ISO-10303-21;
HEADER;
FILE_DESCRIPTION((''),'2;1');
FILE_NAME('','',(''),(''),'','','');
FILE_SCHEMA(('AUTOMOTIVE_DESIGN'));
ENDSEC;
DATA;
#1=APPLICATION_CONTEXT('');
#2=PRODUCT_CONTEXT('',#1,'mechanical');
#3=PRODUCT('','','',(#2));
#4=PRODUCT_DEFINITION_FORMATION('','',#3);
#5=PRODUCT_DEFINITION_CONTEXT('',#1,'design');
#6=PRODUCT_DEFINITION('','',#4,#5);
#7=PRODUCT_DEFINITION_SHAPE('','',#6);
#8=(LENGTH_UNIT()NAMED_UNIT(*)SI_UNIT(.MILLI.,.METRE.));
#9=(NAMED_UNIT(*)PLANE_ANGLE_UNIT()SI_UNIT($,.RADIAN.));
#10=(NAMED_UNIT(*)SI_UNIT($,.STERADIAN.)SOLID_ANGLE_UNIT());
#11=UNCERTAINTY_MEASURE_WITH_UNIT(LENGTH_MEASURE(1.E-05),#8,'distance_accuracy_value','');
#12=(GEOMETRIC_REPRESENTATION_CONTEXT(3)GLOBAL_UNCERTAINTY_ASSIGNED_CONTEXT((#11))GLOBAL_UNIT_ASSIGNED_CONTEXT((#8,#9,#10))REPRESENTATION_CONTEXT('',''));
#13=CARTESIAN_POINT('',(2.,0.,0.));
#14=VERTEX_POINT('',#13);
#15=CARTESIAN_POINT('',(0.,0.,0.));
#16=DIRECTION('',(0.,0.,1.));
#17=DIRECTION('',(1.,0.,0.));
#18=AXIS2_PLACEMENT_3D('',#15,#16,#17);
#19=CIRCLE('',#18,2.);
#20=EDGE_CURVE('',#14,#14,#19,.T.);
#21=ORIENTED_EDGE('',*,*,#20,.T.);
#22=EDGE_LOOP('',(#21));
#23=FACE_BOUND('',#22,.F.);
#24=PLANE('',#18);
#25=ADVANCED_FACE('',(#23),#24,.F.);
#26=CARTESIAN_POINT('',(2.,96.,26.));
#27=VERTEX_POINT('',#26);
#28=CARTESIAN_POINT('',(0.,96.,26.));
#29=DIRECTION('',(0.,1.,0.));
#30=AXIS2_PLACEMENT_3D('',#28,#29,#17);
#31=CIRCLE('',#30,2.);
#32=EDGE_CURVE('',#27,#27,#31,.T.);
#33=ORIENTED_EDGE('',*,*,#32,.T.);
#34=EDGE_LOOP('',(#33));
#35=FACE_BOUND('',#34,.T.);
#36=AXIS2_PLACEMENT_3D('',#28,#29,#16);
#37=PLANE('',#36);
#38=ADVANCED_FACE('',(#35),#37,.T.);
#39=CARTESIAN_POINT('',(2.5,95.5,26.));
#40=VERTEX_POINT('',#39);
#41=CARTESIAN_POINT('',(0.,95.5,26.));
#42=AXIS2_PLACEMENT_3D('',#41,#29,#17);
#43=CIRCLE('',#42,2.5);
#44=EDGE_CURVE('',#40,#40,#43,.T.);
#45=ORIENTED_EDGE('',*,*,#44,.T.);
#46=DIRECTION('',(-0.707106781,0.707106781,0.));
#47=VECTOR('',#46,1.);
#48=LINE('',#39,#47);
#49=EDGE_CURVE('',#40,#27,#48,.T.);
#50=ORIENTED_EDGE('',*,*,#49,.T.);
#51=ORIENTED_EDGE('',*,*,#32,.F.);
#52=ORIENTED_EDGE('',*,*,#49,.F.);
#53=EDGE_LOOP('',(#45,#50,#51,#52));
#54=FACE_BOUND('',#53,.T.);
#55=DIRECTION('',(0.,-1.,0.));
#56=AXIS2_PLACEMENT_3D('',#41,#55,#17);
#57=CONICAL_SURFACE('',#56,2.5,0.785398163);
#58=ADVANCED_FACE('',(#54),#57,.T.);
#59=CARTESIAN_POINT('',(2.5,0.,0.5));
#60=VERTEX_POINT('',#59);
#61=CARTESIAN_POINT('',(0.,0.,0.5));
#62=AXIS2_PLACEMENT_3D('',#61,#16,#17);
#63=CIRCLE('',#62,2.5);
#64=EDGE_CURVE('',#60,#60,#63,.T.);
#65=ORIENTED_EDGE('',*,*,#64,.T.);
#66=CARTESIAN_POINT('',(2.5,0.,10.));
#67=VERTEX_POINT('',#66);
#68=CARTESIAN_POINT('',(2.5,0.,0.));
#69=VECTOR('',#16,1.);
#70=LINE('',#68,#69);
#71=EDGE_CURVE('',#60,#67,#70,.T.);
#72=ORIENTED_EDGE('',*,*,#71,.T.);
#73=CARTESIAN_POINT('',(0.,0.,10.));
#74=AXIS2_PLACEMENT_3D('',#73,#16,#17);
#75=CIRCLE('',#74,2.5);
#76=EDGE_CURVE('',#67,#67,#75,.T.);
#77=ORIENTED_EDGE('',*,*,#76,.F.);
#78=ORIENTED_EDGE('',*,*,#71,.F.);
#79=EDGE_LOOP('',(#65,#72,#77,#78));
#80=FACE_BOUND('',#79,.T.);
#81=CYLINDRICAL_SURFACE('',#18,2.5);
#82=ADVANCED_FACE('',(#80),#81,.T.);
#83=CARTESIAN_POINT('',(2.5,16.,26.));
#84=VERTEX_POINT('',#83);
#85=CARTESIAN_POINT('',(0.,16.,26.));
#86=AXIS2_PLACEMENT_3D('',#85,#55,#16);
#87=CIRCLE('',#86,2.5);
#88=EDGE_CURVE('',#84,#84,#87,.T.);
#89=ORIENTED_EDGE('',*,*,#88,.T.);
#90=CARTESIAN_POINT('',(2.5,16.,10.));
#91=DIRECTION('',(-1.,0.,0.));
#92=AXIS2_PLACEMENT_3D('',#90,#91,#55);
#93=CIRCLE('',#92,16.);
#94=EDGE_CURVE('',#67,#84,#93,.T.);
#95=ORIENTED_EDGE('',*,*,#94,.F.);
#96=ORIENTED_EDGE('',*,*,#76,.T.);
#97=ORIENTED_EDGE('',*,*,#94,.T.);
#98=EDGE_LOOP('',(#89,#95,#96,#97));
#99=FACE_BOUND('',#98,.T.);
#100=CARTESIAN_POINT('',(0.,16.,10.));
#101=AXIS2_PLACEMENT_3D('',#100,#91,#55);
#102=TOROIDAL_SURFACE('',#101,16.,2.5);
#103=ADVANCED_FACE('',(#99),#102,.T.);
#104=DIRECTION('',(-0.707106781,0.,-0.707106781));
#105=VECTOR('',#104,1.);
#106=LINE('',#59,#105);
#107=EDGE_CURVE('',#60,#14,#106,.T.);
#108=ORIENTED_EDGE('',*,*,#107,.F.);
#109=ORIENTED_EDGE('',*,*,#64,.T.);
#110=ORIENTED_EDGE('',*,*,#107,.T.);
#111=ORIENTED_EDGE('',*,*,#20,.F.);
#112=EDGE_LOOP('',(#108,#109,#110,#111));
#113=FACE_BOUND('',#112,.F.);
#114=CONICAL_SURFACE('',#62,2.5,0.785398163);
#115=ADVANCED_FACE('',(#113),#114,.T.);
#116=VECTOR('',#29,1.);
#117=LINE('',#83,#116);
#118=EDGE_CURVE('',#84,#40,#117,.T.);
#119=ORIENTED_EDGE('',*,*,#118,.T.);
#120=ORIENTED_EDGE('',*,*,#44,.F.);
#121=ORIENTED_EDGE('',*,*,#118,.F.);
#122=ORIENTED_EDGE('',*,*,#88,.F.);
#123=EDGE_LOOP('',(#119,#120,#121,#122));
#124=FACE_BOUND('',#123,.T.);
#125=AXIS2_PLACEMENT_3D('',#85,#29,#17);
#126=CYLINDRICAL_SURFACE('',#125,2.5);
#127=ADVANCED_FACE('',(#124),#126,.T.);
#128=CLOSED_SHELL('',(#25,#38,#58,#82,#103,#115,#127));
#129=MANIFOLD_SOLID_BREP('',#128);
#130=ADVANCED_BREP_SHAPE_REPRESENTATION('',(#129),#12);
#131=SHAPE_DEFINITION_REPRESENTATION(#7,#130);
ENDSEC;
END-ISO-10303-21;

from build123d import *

# Parameters (mm, degrees)
F0_R     = 2.5
F3_SIZE2 = 0.5
F3_SIZE  = 0.5


with BuildPart() as f2:
    # F2: sweep along a path in F1
    with BuildLine(Plane.YZ) as f2_path:
        Line((0, 0), (0, 10))
        ThreePointArc((0, 10), (4.686291501, 21.313708499), (16, 26))
        Line((16, 26), (96, 26))
    # F0 (on Top) → F2 (sweep)
    with BuildSketch(Plane.XY):
        Circle(F0_R)
    sweep(path=f2_path.line)

    # F3
    f3_edges = [f2.edges().sort_by_distance(p)[0] for p in [
        (-2.5, 96, 26),
        (-2.5, 0, 0),
    ]]
    chamfer(f3_edges, length=F3_SIZE, length2=F3_SIZE2)


solid = f2.part
